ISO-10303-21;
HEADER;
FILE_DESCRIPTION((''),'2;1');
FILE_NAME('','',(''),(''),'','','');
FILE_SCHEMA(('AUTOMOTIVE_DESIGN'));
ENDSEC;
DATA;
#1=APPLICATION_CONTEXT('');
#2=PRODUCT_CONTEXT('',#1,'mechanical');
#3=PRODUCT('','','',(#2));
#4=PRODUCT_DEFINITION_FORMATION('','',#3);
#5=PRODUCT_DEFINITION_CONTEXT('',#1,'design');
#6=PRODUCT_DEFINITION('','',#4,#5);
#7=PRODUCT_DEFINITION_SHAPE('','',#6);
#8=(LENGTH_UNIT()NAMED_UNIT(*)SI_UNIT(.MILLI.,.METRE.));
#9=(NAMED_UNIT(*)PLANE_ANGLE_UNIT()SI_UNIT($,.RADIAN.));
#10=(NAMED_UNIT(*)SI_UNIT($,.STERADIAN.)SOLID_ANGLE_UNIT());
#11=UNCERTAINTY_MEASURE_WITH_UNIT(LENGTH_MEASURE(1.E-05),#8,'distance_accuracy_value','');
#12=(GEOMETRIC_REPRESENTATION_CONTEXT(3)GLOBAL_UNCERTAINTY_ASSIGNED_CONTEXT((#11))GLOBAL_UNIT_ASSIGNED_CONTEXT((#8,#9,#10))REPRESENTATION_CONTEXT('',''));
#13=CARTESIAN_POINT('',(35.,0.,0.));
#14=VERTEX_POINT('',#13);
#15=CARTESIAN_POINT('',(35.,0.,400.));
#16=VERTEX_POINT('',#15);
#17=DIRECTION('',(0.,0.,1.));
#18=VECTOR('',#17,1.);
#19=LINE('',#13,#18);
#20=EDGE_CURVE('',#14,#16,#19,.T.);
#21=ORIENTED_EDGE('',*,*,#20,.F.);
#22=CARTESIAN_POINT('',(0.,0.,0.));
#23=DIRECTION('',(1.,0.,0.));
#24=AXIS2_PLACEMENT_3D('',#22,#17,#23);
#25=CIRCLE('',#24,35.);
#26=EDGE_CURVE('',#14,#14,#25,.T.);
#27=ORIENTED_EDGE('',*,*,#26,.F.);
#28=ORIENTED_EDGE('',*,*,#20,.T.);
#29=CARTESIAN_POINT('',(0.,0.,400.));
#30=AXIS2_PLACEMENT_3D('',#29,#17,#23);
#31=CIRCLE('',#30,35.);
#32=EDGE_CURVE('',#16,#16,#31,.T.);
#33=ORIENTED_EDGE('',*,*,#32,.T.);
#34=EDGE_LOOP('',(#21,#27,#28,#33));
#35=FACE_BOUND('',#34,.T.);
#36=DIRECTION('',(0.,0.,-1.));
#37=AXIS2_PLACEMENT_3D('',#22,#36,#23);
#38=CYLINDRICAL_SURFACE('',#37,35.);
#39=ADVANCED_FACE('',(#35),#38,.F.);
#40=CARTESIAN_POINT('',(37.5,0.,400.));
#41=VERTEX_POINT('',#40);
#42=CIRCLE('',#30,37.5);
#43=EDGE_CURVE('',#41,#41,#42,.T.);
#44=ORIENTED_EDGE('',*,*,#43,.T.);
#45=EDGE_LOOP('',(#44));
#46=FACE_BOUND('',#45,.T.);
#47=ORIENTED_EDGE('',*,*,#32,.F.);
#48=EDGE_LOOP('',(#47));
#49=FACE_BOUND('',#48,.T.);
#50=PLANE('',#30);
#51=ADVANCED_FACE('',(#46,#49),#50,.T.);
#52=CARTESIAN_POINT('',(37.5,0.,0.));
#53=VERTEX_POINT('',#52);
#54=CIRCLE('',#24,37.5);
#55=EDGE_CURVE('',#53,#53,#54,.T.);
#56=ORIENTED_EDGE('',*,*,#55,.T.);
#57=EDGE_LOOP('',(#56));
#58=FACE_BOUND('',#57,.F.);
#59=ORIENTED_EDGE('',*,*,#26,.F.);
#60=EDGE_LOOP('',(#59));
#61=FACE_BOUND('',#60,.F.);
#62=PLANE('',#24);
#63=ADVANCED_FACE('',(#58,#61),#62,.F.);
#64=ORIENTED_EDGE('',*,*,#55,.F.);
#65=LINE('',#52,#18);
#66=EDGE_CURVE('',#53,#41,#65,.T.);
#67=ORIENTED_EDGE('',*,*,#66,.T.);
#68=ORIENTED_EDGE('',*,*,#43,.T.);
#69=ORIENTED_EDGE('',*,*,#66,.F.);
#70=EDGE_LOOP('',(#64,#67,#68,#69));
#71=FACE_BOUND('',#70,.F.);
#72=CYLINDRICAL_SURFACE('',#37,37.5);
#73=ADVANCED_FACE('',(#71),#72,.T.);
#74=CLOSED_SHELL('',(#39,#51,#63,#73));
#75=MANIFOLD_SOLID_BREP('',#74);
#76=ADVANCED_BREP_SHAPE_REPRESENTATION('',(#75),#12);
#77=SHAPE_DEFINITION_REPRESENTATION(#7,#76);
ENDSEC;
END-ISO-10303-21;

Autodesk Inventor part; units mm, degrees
ref_plane "YZ Plane" through (0, 0, 0) normal (1, 0, 0) x (0, 1, 0)
ref_plane "XZ Plane" through (0, 0, 0) normal (0, 1, 0) x (-1, 0, 0)
ref_plane "XY Plane" through (0, 0, 0) normal (0, 0, 1) x (1, 0, 0)
sketch "Skizze1" plane through (0, 0, 0) normal (0, 0, 1) x (1, 0, 0)
  circle A0 centre (0, 0) radius 37.5
  circle A1 centre (0, 0) radius 35
  dimension "d0" = 75
  dimension "d1" = 70
extrude "Extrusion1" add sketch "Skizze1" along normal blind 400
properties part number "Rohr"
